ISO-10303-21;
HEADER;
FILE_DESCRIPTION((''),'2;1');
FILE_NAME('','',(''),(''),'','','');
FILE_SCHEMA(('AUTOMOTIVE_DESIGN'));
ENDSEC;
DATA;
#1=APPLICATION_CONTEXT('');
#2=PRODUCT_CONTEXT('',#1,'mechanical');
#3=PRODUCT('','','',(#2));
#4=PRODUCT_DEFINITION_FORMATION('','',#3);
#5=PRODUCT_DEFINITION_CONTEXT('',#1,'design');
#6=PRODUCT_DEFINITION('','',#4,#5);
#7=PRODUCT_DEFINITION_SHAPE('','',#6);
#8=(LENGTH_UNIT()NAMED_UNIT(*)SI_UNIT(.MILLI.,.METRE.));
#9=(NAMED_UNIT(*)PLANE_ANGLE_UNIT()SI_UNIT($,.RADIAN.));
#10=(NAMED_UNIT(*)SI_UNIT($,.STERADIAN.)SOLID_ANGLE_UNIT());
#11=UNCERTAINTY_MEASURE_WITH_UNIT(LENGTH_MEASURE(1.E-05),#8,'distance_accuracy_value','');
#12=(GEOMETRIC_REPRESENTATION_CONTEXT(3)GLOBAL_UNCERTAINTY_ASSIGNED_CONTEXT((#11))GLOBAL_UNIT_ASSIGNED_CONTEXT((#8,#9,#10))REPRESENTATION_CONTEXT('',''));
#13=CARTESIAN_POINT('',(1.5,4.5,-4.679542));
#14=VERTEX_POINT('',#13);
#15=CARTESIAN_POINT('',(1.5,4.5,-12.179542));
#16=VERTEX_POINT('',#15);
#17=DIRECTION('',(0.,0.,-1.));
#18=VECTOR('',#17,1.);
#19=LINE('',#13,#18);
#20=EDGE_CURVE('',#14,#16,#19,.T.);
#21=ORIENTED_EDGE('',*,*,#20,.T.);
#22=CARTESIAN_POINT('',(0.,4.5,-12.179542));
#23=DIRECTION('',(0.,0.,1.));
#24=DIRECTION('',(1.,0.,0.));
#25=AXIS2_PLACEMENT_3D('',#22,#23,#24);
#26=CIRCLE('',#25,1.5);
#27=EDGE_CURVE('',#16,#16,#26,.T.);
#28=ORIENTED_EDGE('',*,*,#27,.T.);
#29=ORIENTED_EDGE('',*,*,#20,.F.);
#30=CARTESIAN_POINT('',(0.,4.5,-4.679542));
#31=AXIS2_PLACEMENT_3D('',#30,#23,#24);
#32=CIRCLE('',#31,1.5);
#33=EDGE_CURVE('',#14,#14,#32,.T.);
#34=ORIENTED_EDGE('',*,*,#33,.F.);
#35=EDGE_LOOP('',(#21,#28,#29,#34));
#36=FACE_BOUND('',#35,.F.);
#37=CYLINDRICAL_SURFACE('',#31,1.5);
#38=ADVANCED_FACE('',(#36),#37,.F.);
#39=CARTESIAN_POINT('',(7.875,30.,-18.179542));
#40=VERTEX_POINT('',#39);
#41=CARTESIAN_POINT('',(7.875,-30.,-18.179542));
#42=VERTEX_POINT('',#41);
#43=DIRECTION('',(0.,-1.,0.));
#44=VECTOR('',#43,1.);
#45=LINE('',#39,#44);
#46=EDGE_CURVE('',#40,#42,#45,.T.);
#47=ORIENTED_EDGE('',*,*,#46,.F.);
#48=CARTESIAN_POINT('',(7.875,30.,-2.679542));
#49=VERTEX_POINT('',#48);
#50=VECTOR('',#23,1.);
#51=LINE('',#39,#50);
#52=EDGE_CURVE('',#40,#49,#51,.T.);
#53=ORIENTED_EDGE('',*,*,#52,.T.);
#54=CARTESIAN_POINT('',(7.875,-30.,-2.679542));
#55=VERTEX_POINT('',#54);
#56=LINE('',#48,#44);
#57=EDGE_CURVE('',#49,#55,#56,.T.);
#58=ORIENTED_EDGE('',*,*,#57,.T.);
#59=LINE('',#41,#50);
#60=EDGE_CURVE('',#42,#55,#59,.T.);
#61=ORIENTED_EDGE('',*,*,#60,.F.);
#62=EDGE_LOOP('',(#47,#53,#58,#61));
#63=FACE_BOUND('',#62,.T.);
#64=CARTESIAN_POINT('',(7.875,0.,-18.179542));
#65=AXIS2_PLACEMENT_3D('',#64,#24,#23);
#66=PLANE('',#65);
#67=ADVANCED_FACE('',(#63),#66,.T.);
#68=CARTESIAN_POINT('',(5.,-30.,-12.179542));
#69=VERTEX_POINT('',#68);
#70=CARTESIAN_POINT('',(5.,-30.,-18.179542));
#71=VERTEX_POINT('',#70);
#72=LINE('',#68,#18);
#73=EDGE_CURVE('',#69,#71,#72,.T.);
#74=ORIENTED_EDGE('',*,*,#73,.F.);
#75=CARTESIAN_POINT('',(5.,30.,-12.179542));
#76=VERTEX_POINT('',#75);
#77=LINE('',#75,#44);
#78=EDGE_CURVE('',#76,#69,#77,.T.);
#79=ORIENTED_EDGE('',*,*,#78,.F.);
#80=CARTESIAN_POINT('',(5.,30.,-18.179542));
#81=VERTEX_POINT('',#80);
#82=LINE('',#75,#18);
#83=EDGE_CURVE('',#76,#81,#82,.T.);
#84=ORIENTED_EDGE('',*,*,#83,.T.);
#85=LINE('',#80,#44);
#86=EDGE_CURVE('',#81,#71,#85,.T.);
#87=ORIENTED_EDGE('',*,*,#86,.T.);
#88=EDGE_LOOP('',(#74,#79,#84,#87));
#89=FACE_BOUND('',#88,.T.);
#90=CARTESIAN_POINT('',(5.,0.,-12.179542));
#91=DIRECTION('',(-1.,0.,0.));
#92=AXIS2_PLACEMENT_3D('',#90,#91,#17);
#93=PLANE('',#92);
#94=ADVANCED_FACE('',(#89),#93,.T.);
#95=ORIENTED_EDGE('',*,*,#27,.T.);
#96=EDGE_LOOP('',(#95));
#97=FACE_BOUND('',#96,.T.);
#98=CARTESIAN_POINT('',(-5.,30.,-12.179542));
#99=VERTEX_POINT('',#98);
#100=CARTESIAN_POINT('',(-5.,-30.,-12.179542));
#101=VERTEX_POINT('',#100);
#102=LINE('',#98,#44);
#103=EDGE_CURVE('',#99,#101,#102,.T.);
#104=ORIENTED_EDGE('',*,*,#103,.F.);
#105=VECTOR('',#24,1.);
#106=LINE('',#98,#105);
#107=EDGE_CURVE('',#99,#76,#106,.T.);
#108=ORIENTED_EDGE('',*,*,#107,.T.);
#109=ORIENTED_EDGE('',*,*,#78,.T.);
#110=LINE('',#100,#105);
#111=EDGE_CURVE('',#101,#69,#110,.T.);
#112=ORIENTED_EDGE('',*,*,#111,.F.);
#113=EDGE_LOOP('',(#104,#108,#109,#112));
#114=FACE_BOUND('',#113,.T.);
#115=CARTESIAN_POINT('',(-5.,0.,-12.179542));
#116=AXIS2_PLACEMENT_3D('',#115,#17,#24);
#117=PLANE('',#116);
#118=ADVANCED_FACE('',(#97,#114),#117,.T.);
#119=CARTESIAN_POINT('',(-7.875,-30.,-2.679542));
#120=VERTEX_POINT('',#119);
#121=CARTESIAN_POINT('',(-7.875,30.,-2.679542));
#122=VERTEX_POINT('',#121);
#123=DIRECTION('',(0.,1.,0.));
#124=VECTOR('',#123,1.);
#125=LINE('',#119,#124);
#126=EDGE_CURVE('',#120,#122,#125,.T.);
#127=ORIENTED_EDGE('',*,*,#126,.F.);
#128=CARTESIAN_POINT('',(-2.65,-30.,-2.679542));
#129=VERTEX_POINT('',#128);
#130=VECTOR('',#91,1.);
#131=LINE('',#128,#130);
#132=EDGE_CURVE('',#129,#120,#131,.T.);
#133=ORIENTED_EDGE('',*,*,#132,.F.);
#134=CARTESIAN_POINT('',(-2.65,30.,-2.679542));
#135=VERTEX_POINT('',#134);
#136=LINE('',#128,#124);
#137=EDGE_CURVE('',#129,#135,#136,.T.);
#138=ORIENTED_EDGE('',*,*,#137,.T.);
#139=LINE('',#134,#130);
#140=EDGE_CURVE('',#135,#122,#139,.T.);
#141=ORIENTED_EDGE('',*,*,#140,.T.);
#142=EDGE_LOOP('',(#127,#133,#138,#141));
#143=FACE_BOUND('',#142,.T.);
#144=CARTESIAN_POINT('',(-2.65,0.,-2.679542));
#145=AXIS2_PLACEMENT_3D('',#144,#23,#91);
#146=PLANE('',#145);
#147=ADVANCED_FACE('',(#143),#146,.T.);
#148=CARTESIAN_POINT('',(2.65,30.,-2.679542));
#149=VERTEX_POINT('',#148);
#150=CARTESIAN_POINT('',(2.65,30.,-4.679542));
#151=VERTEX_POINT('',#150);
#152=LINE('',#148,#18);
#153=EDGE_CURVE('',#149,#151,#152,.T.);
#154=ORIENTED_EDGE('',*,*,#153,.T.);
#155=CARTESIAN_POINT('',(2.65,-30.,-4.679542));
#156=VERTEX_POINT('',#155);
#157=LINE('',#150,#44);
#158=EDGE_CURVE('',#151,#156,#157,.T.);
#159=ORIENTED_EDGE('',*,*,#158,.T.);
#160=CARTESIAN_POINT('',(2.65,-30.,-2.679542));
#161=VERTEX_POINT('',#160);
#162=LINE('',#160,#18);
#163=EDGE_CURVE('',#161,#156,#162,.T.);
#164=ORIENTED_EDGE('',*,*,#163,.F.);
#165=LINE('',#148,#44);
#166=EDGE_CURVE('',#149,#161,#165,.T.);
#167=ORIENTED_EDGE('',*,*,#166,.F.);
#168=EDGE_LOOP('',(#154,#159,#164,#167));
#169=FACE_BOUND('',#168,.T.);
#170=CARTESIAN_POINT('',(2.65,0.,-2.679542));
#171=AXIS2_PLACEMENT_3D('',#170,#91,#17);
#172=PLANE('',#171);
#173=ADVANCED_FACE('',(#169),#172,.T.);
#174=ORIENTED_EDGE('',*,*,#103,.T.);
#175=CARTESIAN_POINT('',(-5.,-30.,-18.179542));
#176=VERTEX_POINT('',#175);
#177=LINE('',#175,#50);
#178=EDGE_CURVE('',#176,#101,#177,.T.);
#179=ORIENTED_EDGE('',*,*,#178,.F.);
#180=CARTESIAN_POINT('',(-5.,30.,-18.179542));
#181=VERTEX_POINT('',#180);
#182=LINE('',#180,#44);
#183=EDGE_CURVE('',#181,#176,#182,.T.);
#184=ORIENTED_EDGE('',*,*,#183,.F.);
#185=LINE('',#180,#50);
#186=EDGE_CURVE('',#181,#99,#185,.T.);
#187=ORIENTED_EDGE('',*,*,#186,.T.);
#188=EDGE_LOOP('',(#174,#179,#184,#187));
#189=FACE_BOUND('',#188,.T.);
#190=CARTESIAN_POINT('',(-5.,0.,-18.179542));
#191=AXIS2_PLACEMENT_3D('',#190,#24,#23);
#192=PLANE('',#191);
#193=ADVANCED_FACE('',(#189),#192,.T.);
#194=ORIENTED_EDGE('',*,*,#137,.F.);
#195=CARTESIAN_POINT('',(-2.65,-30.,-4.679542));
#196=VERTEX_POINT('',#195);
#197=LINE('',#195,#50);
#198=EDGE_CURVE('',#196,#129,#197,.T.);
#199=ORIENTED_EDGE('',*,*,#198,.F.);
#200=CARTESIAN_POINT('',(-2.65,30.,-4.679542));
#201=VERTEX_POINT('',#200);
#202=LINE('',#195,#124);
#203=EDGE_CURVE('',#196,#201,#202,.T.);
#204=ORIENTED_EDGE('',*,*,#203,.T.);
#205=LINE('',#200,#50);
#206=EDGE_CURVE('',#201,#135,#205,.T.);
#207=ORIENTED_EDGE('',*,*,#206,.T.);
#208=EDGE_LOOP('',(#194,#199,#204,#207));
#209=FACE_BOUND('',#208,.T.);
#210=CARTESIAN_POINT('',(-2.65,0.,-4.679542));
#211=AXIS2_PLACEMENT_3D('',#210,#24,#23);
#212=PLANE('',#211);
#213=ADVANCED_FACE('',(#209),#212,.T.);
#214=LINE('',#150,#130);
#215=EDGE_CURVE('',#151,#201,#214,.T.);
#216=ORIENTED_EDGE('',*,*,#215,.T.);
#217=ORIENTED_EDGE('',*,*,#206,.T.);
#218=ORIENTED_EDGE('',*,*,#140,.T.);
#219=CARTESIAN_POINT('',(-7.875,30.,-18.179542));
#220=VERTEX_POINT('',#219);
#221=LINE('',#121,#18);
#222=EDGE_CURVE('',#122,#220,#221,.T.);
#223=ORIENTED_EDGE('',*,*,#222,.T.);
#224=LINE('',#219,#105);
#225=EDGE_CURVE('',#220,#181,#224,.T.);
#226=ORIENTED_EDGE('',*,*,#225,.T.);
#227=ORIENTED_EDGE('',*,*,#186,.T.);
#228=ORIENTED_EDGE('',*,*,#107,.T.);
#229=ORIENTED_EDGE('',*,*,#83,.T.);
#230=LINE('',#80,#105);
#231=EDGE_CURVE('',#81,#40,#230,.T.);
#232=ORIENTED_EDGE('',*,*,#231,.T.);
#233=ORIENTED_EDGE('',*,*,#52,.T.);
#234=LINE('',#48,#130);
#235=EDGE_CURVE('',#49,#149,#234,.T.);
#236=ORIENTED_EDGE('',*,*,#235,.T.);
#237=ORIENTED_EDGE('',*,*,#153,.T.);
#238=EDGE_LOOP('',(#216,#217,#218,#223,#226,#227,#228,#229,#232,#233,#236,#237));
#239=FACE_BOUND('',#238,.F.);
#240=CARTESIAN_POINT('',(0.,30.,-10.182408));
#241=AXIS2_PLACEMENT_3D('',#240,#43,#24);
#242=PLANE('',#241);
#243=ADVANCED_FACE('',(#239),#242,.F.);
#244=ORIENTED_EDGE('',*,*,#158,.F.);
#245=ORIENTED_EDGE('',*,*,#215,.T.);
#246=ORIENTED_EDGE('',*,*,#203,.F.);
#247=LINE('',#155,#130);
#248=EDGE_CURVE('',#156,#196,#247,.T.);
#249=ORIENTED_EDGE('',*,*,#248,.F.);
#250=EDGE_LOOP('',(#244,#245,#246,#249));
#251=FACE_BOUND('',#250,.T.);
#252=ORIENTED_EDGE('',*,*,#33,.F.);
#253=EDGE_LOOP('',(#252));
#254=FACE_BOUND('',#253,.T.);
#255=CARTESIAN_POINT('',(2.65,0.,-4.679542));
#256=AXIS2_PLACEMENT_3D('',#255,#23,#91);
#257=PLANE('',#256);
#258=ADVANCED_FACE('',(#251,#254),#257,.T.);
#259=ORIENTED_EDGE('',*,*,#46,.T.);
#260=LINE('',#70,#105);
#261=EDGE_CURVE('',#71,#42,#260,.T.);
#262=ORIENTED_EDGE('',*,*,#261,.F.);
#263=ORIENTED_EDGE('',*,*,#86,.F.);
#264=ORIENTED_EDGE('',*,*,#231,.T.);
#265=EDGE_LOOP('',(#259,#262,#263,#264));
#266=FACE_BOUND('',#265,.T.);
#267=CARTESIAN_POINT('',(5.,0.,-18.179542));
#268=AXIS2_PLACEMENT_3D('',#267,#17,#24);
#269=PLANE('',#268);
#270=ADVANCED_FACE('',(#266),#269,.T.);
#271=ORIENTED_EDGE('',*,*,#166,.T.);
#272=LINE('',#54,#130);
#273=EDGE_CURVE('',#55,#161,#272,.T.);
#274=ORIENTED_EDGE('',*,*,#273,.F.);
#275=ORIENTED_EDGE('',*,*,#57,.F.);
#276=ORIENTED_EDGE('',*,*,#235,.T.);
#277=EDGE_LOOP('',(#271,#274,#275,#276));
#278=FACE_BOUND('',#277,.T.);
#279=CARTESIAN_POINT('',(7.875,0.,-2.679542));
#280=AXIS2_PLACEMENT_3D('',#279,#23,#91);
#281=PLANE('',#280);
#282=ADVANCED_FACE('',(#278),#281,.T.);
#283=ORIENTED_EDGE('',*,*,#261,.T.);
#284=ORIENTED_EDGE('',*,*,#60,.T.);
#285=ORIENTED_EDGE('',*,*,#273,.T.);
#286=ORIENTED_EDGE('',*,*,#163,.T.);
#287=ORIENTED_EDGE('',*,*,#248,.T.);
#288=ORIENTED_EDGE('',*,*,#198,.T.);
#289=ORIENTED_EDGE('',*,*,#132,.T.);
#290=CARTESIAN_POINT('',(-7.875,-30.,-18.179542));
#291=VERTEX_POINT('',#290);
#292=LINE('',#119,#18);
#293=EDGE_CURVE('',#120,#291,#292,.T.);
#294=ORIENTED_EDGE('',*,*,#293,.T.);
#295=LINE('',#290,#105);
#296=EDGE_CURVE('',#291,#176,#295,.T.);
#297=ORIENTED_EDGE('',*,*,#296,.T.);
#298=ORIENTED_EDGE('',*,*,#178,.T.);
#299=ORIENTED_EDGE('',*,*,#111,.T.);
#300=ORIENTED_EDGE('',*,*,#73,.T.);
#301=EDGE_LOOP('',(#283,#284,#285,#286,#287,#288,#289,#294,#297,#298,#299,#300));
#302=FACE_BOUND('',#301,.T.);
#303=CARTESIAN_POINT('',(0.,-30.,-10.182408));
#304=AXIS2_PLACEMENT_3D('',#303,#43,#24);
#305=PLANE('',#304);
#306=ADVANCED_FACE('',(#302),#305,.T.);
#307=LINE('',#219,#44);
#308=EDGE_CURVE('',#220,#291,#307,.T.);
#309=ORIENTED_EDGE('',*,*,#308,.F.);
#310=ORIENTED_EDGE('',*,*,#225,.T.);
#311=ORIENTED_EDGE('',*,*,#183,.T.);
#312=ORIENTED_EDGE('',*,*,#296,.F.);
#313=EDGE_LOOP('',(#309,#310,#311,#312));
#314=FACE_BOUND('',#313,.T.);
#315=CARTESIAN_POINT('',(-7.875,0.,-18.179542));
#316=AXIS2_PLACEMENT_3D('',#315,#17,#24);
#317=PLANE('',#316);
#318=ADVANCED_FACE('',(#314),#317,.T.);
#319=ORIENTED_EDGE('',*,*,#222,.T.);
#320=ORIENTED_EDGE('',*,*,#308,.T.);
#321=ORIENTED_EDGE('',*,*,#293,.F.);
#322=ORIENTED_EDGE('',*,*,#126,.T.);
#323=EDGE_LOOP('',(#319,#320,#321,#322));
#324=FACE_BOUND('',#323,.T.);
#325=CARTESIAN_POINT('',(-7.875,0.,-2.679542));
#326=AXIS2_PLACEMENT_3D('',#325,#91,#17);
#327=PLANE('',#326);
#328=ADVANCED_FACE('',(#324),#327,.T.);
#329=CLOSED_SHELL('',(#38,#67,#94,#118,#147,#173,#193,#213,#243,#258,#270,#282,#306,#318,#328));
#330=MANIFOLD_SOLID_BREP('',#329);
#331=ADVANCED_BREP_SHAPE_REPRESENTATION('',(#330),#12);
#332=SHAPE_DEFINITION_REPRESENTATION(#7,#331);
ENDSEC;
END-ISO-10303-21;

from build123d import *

# Parameters (mm, degrees)
F1_DEPTH = 30
F2_R     = 1.5
F3_DEPTH = 25


with BuildPart() as f1:
    # F0 (on Front) → F1 (new body, symmetric)
    with BuildSketch(Plane.XZ):
        Polygon((-7.875, -2.679542), (-7.875, -18.179542), (-5, -18.179542), (-5, -12.179542), (5, -12.179542), (5, -18.179542), (7.875, -18.179542), (7.875, -2.679542), (2.65, -2.679542), (2.65, -4.679542), (-2.65, -4.679542), (-2.65, -2.679542), align=None)
    extrude(amount=F1_DEPTH, both=True)

    # F2 (on face) → F3 (cut)
    with BuildSketch(Plane.XY.offset(-4.679542)):
        with Locations((0, 4.5)):
            Circle(F2_R)
    extrude(amount=-F3_DEPTH, mode=Mode.SUBTRACT)


solid = f1.part
